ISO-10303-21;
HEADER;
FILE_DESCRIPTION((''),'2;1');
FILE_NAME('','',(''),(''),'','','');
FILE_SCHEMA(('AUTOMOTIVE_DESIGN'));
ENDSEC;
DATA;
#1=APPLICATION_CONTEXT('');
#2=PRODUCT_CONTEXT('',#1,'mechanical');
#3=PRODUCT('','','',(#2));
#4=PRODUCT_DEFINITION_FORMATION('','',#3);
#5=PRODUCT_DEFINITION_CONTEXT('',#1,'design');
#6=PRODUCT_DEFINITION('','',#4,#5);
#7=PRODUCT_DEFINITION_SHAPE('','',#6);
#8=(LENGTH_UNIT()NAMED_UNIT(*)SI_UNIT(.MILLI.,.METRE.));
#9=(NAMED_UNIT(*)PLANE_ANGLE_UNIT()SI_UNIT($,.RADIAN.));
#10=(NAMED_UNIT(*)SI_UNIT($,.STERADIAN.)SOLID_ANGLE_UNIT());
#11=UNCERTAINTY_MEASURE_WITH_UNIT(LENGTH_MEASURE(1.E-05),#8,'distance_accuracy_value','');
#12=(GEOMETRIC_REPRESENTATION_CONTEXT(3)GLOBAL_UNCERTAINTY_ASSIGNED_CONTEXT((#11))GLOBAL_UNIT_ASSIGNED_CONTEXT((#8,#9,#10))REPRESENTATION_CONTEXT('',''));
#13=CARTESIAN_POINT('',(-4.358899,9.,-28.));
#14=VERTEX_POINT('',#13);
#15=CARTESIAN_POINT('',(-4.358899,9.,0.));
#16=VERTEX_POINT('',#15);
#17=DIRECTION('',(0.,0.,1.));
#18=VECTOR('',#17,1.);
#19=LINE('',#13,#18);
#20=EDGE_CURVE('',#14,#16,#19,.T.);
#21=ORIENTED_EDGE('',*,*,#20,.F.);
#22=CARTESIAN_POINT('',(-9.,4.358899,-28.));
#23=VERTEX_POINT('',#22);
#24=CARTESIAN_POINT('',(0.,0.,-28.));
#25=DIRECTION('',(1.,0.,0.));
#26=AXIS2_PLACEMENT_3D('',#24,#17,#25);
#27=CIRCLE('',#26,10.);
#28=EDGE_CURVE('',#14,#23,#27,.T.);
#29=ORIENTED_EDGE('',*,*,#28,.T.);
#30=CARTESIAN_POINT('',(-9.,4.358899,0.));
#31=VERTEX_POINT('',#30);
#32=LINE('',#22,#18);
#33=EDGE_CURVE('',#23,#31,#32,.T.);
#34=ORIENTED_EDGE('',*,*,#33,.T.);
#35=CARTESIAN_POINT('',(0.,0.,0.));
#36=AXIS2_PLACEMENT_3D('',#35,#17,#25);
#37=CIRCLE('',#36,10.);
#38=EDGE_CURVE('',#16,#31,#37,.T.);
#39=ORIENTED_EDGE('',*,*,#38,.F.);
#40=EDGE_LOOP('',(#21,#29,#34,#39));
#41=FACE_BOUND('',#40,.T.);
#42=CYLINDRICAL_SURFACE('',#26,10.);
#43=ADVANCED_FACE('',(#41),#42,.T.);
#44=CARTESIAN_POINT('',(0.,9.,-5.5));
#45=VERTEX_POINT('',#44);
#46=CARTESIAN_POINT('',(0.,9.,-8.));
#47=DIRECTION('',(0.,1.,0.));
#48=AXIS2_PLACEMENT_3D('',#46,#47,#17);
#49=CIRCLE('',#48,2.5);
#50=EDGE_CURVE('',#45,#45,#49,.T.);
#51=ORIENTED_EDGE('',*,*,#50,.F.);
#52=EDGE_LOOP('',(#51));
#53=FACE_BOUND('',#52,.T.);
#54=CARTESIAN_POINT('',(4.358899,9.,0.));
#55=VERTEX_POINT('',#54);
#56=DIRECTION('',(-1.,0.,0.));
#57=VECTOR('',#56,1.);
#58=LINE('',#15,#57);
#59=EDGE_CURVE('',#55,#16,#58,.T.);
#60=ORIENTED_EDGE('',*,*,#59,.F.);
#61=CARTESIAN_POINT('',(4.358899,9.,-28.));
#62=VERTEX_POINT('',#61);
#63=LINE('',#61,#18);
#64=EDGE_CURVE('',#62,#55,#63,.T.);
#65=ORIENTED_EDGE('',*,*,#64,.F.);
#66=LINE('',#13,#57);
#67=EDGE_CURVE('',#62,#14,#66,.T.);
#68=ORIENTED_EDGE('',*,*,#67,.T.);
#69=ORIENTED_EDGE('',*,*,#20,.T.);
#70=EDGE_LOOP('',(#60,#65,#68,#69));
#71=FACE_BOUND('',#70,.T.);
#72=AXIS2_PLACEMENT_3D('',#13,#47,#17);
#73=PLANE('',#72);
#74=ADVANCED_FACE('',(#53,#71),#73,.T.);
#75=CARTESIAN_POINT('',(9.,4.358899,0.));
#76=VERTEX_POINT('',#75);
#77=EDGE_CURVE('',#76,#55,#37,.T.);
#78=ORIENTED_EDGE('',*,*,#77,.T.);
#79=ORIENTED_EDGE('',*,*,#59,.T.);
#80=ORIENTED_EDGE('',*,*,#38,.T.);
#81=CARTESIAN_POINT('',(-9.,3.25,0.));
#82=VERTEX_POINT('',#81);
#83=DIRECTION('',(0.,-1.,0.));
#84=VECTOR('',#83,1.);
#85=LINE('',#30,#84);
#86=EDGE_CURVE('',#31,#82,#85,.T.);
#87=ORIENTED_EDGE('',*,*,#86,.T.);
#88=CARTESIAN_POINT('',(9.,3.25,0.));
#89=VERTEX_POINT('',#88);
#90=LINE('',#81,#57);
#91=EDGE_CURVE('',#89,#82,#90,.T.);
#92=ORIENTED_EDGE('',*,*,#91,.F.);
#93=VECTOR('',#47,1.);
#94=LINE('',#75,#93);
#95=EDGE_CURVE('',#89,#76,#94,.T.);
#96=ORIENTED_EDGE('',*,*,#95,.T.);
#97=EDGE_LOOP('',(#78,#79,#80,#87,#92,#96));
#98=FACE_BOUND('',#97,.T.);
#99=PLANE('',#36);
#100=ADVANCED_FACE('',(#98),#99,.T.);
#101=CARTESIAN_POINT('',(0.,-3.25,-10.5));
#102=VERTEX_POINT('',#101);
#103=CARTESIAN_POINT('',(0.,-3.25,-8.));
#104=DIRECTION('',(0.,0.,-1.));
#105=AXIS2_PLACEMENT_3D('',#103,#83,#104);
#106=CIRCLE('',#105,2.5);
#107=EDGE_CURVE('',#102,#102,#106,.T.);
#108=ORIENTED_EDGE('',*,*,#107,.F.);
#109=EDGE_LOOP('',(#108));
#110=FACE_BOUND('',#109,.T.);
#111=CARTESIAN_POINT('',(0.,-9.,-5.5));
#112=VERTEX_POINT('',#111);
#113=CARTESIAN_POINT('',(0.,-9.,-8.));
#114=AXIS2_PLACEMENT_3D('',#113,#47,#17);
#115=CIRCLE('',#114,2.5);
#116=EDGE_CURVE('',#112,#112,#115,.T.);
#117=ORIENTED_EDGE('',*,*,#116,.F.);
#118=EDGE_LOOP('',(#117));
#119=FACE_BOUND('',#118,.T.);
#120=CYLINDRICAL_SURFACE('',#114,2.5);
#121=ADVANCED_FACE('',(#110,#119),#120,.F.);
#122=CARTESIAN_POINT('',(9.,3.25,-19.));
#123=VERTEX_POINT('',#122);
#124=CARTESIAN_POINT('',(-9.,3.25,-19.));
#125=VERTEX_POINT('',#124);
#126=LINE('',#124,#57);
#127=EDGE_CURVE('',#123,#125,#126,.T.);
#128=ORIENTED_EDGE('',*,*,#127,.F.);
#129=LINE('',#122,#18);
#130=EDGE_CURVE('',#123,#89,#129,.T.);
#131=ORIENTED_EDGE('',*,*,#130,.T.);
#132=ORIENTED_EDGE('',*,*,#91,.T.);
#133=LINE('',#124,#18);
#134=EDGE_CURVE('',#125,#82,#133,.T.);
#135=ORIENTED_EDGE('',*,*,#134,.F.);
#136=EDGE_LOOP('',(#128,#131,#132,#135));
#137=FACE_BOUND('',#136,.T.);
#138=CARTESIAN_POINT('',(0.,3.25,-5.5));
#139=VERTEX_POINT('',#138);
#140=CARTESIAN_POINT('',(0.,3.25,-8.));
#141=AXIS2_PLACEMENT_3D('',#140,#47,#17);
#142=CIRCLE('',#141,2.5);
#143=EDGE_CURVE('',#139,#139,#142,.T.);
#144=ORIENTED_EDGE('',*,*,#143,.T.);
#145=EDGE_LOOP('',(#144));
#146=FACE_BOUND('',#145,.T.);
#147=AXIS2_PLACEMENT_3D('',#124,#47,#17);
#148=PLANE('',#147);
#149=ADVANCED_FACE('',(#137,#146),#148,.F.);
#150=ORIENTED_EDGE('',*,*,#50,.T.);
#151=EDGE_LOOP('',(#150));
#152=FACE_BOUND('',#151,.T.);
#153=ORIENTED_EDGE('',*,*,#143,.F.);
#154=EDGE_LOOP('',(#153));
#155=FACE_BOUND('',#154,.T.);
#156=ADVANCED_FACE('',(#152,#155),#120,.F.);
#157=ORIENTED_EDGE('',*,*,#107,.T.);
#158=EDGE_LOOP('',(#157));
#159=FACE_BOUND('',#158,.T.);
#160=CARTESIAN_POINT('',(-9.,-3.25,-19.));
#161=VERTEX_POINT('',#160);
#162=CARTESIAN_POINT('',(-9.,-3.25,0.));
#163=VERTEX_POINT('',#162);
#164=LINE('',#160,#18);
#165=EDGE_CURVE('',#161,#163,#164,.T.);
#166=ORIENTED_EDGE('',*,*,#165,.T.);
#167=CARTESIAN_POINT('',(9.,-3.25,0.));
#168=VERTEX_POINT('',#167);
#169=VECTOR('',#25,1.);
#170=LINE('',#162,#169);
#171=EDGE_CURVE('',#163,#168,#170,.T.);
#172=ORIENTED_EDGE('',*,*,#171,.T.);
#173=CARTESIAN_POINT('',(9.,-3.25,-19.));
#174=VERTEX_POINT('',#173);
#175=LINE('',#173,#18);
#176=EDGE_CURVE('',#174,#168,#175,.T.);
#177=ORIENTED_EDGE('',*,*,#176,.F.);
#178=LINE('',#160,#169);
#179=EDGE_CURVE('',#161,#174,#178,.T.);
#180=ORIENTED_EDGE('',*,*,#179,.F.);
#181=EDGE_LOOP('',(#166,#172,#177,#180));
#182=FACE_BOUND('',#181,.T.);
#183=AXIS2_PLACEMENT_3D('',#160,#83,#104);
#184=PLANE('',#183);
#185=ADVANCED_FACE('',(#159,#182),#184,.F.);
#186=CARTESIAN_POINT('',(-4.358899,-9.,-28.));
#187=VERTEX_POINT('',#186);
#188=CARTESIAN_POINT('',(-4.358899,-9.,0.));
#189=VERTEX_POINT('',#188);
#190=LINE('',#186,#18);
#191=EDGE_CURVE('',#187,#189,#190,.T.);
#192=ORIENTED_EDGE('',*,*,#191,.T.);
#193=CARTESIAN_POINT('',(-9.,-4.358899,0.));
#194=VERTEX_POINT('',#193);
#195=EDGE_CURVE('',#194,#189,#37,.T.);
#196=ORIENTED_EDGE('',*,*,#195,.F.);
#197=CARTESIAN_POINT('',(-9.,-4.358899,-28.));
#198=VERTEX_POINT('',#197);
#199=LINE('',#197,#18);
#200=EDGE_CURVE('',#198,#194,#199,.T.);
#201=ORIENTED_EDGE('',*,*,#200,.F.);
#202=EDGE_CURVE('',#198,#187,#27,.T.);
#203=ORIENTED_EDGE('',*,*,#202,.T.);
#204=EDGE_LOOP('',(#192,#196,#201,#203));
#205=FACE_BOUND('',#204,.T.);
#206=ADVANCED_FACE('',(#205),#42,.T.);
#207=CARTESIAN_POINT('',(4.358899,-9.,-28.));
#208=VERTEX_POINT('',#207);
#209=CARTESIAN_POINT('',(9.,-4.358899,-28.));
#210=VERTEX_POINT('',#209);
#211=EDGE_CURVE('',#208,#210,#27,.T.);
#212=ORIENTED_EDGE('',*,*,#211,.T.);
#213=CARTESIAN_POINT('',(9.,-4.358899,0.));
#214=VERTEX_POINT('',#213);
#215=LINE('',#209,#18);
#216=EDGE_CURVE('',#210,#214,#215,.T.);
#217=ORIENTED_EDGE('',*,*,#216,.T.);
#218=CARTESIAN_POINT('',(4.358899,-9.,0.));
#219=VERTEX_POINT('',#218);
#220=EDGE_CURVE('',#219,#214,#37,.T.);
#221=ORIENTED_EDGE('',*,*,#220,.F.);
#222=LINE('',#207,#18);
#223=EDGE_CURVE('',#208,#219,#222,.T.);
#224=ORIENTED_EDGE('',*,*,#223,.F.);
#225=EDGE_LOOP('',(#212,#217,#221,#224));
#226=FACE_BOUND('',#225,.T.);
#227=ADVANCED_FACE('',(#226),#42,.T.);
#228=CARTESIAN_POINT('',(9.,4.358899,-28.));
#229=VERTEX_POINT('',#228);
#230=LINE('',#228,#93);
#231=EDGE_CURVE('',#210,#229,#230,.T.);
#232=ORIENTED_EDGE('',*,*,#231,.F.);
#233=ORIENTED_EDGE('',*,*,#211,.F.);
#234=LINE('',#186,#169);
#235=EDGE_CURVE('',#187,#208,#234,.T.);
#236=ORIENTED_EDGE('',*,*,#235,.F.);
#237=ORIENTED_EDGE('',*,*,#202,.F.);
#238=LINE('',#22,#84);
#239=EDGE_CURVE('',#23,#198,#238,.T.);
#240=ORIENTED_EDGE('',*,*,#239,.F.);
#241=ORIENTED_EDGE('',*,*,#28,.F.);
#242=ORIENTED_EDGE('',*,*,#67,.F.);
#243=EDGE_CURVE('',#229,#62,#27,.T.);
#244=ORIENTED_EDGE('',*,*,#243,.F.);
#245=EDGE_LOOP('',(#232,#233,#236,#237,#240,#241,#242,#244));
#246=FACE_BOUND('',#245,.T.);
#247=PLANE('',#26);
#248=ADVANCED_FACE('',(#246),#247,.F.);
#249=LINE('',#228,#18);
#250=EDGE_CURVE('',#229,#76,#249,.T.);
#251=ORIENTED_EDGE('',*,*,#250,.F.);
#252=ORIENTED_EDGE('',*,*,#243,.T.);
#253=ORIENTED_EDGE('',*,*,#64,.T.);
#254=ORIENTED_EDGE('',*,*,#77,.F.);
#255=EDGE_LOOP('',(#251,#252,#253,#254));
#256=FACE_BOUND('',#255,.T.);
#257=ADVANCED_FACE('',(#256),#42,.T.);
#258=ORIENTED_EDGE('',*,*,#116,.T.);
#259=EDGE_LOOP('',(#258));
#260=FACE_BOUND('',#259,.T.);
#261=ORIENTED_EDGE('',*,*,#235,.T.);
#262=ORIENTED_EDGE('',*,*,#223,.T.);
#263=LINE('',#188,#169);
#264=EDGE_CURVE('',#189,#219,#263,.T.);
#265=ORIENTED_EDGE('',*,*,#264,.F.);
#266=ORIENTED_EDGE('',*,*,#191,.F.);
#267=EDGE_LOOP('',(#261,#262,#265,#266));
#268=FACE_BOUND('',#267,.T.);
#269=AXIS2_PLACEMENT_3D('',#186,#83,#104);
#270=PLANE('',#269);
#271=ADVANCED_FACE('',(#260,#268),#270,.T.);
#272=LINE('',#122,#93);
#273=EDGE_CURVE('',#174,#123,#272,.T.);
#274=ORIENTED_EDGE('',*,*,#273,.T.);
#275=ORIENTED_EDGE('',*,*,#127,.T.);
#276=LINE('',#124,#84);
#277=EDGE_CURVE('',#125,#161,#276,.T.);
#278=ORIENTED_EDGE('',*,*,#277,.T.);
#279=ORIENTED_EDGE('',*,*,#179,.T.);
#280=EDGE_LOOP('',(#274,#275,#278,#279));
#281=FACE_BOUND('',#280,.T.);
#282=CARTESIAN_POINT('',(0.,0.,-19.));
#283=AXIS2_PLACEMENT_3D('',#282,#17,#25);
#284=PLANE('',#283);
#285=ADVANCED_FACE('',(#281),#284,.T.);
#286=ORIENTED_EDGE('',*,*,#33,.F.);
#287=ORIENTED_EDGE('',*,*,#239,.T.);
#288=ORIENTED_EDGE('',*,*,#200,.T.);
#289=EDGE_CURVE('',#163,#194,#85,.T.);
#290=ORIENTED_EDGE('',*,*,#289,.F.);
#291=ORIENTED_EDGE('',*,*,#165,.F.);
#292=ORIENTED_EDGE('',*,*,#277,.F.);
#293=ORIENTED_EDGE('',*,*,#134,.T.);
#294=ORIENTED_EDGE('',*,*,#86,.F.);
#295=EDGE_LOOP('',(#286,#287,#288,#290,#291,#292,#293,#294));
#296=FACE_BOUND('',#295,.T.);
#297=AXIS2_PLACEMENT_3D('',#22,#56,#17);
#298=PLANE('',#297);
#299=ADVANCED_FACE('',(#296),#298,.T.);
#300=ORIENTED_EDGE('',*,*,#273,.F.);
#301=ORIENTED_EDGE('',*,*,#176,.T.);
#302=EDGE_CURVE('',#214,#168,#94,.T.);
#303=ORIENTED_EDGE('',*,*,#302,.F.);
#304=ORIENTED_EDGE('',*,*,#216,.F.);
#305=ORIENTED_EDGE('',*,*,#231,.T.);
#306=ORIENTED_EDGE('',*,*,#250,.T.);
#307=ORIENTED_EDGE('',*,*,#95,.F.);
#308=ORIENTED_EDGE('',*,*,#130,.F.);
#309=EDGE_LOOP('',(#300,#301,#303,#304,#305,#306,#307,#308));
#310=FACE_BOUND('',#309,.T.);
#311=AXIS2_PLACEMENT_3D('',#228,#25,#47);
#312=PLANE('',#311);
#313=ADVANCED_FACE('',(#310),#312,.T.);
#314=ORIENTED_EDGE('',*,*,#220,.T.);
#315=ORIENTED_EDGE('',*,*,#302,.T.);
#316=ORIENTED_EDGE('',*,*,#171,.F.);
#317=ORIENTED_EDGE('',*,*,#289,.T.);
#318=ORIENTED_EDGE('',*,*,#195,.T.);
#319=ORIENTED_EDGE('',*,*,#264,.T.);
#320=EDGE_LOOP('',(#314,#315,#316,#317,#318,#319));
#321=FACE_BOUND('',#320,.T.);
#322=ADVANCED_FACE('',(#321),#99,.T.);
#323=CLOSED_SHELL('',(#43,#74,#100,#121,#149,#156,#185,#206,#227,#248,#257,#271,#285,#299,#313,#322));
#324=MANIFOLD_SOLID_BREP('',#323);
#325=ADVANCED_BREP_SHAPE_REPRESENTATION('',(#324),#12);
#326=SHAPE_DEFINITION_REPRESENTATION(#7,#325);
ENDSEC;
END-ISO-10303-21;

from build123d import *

# Parameters (mm, degrees)
BOSS_EXTRUDE2_DEPTH      = 28
SKETCH3_W                = 18
SKETCH3_H                = 6.5
CUT_EXTRUDE9_DEPTH       = 19
CUT_EXTRUDE10_DEPTH      = 31.757112998
CUT_EXTRUDE10_DEPTH_BACK = 31.757112998
SKETCH4_R                = 2.5


with BuildPart() as part:
    # Sketch1 → Boss-Extrude2 (new body)
    with BuildSketch(Plane.XY):
        with BuildLine():
            Line((-4.358898944, 9), (4.358898944, 9))
            ThreePointArc((4.358898944, 9), (7.071067812, 7.071067812), (9, 4.358898944))
            Line((9, 4.358898944), (9, -4.358898944))
            ThreePointArc((9, -4.358898944), (7.071067812, -7.071067812), (4.358898944, -9))
            Line((4.358898944, -9), (-4.358898944, -9))
            ThreePointArc((-4.358898944, -9), (-7.071067812, -7.071067812), (-9, -4.358898944))
            Line((-9, -4.358898944), (-9, 4.358898944))
            ThreePointArc((-9, 4.358898944), (-7.071067812, 7.071067812), (-4.358898944, 9))
        make_face()
    extrude(amount=-BOSS_EXTRUDE2_DEPTH)

    # Sketch3 → Cut-Extrude9 (cut)
    with BuildSketch(Plane.XY):
        Rectangle(SKETCH3_W, SKETCH3_H)
    extrude(amount=-CUT_EXTRUDE9_DEPTH, mode=Mode.SUBTRACT)

    # Sketch4 → Cut-Extrude10 (cut, two sides: drawn at the far end of the back side and taken through both)
    with BuildSketch(Plane(origin=(0, 0, 0), x_dir=(1, 0, 0), z_dir=(0, 1, 0)).offset(-CUT_EXTRUDE10_DEPTH_BACK)):
        with Locations(Location((0, 8, 0), (0, 0, 270))):
            Circle(SKETCH4_R)
    extrude(amount=CUT_EXTRUDE10_DEPTH + CUT_EXTRUDE10_DEPTH_BACK, mode=Mode.SUBTRACT)


solid = part.part
